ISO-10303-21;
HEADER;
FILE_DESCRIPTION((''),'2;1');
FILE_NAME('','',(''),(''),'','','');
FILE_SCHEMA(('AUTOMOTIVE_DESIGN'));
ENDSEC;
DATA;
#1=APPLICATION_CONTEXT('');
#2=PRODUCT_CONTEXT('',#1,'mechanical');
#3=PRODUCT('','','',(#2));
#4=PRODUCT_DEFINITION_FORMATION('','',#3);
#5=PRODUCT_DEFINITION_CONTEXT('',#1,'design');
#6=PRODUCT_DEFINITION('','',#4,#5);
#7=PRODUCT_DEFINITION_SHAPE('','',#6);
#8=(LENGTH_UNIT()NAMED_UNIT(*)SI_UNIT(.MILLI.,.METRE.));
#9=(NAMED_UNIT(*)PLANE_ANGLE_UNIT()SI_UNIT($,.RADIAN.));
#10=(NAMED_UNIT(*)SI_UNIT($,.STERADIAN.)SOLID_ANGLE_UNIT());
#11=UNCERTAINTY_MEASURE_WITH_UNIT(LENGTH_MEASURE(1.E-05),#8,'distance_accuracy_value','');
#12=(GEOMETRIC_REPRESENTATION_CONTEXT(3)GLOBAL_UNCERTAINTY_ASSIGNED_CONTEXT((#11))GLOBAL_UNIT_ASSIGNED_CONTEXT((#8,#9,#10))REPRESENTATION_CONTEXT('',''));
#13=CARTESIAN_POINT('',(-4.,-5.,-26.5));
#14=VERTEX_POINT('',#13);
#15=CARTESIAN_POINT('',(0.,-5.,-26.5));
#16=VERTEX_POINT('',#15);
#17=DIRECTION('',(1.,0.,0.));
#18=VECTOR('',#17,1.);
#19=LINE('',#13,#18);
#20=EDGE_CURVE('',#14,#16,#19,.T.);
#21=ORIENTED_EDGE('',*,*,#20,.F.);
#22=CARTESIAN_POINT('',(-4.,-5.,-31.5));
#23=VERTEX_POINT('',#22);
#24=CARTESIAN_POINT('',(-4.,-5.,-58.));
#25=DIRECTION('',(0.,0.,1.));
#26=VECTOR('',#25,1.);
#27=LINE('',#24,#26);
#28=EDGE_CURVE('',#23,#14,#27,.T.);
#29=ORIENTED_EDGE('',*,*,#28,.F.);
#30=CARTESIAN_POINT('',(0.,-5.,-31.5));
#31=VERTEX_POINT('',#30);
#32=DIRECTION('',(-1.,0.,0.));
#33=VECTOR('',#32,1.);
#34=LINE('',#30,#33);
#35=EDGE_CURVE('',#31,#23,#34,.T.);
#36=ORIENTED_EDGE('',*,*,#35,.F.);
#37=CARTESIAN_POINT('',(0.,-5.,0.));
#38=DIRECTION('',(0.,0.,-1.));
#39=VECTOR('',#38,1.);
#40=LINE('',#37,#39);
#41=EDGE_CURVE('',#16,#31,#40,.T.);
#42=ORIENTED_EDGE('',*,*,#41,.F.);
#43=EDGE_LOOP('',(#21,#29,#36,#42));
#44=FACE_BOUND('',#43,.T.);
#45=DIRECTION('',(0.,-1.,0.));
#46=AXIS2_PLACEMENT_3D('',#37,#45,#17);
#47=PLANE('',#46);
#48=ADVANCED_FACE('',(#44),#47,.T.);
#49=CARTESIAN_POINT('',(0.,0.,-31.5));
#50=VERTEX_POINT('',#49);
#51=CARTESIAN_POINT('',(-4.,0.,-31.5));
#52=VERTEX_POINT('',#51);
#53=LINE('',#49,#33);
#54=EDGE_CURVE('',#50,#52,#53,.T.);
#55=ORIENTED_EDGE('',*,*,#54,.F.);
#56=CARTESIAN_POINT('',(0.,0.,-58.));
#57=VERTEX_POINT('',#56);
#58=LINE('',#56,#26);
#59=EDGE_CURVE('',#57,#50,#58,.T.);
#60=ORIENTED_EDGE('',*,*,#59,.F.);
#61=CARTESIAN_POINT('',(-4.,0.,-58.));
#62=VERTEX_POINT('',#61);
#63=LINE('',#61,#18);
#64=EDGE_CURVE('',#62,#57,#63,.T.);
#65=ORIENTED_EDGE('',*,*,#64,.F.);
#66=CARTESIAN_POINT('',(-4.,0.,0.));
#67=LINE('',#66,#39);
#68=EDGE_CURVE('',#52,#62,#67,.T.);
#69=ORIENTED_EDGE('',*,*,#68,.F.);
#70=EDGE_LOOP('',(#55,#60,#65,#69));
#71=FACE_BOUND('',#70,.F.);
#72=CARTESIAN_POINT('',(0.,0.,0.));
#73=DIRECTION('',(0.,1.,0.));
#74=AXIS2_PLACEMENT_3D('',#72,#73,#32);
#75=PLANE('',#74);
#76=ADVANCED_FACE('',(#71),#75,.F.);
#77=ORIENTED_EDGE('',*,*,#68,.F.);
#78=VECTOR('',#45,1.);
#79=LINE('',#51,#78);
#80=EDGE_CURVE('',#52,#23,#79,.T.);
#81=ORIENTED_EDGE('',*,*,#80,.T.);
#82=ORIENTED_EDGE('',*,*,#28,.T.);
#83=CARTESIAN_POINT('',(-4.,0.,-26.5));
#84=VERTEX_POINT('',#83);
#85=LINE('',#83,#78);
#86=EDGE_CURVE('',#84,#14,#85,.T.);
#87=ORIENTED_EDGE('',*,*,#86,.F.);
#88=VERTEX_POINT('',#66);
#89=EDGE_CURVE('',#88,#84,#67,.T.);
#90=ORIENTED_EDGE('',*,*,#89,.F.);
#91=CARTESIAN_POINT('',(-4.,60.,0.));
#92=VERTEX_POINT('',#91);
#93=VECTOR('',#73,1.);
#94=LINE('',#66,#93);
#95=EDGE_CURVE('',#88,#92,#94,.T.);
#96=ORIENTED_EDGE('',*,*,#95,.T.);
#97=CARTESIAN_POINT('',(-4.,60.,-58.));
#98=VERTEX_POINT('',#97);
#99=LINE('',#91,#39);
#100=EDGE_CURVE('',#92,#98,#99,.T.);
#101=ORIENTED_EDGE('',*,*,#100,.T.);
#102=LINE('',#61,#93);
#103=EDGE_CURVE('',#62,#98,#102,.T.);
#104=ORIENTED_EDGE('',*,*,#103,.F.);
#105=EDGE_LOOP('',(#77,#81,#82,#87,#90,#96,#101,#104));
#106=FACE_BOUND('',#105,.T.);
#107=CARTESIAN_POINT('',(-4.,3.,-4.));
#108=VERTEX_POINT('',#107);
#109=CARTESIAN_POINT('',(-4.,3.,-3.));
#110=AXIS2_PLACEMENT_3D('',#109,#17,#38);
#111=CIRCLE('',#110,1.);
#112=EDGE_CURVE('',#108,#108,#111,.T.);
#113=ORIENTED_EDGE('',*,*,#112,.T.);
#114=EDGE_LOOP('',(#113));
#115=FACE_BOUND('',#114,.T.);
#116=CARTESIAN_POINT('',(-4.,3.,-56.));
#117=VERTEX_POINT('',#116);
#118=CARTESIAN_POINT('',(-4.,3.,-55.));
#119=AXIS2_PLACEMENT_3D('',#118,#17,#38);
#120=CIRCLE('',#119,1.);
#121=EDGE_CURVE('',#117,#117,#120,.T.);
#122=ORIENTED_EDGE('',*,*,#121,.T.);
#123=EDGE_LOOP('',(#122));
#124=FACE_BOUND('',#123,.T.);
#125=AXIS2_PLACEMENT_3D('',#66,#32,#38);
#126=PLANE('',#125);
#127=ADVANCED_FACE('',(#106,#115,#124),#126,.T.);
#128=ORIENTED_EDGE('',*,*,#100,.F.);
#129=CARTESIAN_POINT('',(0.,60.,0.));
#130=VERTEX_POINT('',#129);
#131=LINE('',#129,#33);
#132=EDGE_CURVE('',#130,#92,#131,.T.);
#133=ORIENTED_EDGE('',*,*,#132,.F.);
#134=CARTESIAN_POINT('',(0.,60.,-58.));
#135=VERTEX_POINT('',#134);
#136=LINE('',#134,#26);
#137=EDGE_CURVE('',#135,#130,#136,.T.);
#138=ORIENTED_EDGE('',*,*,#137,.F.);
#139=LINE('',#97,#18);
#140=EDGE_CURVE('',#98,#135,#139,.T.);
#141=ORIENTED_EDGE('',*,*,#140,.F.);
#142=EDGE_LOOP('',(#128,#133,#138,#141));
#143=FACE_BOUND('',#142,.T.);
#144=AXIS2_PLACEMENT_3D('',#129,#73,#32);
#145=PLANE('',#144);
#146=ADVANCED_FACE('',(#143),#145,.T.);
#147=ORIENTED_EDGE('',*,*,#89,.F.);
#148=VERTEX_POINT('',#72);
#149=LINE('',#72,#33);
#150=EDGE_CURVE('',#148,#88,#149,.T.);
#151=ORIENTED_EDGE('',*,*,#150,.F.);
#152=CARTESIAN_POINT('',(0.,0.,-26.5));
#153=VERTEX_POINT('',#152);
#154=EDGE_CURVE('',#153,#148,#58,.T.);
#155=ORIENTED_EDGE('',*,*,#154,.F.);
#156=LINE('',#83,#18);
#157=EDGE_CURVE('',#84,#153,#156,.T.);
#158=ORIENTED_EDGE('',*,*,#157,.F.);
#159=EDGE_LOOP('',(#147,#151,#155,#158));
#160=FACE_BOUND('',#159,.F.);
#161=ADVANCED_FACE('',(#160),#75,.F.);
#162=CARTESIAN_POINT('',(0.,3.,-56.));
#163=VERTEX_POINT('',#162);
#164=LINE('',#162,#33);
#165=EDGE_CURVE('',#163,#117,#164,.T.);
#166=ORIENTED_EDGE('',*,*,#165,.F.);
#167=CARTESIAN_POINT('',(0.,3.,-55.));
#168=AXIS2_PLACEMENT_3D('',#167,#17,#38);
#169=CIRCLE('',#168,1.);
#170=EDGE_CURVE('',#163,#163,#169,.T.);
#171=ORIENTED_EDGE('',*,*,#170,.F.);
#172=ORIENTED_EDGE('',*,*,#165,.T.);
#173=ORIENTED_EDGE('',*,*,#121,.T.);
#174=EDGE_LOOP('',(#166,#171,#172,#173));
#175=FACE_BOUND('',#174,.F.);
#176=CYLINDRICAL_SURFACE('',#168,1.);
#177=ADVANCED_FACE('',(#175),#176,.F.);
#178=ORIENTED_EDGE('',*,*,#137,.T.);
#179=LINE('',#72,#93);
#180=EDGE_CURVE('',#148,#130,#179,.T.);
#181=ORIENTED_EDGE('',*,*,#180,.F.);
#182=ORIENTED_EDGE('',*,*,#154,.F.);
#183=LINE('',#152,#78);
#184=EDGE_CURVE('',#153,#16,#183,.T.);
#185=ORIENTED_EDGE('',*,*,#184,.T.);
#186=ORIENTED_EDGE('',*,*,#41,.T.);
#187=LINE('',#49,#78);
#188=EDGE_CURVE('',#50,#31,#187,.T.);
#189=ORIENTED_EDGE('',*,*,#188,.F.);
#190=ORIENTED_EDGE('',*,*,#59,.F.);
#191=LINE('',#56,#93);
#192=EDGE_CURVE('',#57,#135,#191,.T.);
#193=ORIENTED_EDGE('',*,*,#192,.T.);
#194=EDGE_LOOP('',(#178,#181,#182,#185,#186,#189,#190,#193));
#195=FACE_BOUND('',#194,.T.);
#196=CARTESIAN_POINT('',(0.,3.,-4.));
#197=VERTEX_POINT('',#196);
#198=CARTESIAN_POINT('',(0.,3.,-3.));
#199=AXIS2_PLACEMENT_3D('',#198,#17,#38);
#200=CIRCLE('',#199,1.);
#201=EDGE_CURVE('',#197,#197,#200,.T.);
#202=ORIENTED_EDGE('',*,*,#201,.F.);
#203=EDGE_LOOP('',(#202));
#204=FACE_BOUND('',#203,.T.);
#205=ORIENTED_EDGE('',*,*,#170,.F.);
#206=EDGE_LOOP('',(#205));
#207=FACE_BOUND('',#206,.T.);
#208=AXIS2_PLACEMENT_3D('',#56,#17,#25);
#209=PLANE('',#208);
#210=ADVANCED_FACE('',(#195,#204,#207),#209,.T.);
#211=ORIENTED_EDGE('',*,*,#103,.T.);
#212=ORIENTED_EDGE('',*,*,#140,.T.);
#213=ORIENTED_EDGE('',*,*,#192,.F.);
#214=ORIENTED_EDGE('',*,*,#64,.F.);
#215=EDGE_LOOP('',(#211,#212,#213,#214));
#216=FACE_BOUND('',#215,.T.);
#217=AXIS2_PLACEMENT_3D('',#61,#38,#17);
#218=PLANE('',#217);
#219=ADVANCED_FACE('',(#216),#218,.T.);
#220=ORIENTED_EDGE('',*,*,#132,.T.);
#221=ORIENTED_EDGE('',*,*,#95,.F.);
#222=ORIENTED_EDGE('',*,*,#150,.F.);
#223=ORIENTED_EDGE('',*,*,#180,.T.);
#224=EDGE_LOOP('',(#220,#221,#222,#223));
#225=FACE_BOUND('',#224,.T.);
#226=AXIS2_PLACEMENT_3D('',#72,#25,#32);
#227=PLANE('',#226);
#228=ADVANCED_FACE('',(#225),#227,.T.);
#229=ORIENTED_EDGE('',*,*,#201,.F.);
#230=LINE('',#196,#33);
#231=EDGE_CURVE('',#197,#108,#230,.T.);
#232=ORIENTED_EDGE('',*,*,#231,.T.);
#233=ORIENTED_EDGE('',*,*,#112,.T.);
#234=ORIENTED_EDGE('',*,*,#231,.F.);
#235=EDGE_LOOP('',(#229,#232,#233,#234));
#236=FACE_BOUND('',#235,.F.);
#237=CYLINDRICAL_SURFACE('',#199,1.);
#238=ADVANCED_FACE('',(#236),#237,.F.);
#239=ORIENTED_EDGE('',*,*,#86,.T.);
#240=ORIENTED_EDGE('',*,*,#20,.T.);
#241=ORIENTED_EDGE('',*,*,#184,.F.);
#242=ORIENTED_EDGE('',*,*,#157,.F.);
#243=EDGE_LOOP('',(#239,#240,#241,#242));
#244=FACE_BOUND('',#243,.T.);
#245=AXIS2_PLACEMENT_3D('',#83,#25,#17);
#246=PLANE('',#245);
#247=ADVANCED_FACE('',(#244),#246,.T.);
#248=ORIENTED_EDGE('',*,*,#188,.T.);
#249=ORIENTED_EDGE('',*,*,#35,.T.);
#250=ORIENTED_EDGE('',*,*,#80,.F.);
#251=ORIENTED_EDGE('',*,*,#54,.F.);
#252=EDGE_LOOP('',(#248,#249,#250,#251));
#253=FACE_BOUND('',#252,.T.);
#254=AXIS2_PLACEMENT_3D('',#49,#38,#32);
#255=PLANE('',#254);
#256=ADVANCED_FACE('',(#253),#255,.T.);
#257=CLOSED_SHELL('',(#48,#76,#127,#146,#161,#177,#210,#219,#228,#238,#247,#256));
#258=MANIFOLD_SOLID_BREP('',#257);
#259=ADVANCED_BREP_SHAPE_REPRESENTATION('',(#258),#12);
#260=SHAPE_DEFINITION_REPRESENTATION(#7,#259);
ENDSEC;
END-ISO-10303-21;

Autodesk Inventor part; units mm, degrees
ref_plane "YZ Plane" through (0, 0, 0) normal (1, 0, 0) x (0, 1, 0)
ref_plane "XZ Plane" through (0, 0, 0) normal (0, 1, 0) x (-1, 0, 0)
ref_plane "XY Plane" through (0, 0, 0) normal (0, 0, 1) x (1, 0, 0)
sketch "Sketch1" plane through (0, 0, 0) normal (0, 1, 0) x (-1, 0, 0)
  line L0 (0, 0) -> (4, 0)
  line L1 (4, 0) -> (4, -58)
  line L2 (4, -58) -> (0, -58)
  line L3 (0, -58) -> (0, 0)
  dimension "d0" = 58
  dimension "d1" = 4
extrude "Extrusion1" add sketch "Sketch1" along normal blind 60
sketch "Sketch2" plane through (-4, 0, 0) normal (0, 0, 1) x (1, 0, 0)
  circle A0 centre (2, 2) radius 1
  line L0 (4, 0) -> (0, 0) projected
  line L1 (4, 0) -> (4, 60) projected
  dimension "d4" = 2
  dimension "d5" = 2
  dimension "d6" = 2
extrude "Extrusion2" [suppressed]
fillet "Fillet1" [suppressed]
sketch "Sketch3" plane through (0, 2, 0) normal (1, 0, 0) x (0, 0, -1)
  line L0 (19, 20.5) -> (24, 20.5)
  line L1 (24, 20.5) -> (24, 35.5)
  line L2 (24, 35.5) -> (19, 35.5)
  line L3 (19, 35.5) -> (19, 20.5)
  line L4 (34, 20.5) -> (39, 20.5)
  line L5 (39, 20.5) -> (39, 35.5)
  line L6 (39, 35.5) -> (34, 35.5)
  line L7 (34, 35.5) -> (34, 20.5)
  line L8 (0, -2) -> (0, 58) projected
  line L9 (58, -2) -> (58, 58) projected
  line L10 (0, -2) -> (58, -2) projected
  line L11 (0, 58) -> (58, 58) projected
  point P0 (0, 0)
  point P1 (0, 56)
  point P2 (58, 0)
  point P3 (58, 56)
  dimension "d10" = 15
  dimension "d11" = 15
  dimension "d12" = 5
  dimension "d13" = 5
  dimension "d14" = 10
  dimension "d15" = 19
  dimension "d16" = 58
  dimension "d17" = 60
  dimension "d18" = 22.5
extrude "Extrusion3" [suppressed]
sketch "Sketch4" plane through (0, 22.5, -19) normal (0, 0, 1) x (1, 0, 0)
  circle A0 centre (5, 7.5) radius 1.5
  line L0 (0, 0) -> (10, 0) projected
  line L1 (10, 0) -> (10, 15) projected
  point P0 (0, -22.5)
  dimension "d21" = 3
  dimension "d22" = 7.5
  dimension "d23" = 5
  dimension "d24" = 15
  dimension "d25" = 10
extrude "Extrusion4" [suppressed]
fillet "Fillet2" [suppressed]
sketch "Esquisse5" plane through (0, 0, 0) normal (1, 0, 0) x (0, 0, -1)
  circle A0 centre (55, 3) radius 1
  circle A1 centre (3, 3) radius 1
  line L0 (0, 0) -> (0, 60) projected
  line L1 (58, 0) -> (0, 0) projected
  line L2 (58, 0) -> (58, 60) projected
  dimension "d29" = 2
  dimension "d30" = 2
  dimension "d31" = 3
  dimension "d32" = 3
  dimension "d33" = 3
  dimension "d34" = 3
extrude "Extrusion5" cut sketch "Esquisse5" against normal blind 10
sketch "Esquisse6" plane through (0, 0, 0) normal (0, -1, 0) x (1, 0, 0)
  line L0 (-4, -58) -> (-4, 0) projected
  line L1 (0, 0) -> (0, -58) projected
  line L2 (-4, -26.5) -> (0, -26.5)
  line L3 (0, -26.5) -> (0, -31.5)
  line L4 (0, -31.5) -> (-4, -31.5)
  line L5 (-4, -31.5) -> (-4, -26.5)
  line L6 (0, 0) -> (-4, 0) projected
  dimension "d37" = 5
  dimension "d38" = 26.5
  dimension "d39" = 58
extrude "Extrusion6" add sketch "Esquisse6" along normal blind 5 contours L0 L2 L1 L4
equation "\"d6\" = d5"
equation "\"d11\" = d10"
equation "\"d13\" = d12"
equation "\"d15\" = 0.5 * d16 - 0.5 * d14 - 0.5 * d12 - 0.5 * d13"
equation "\"d18\" = 0.5 * d17 - 0.5 * d10"
equation "\"d22\" = 0.5 * d24"
equation "\"d23\" = 0.5 * d25"
equation "\"d32\" = d31"
equation "\"d33\" = d32"
equation "\"d34\" = d33"
equation "\"d38\" = 0.5 * d39 - 0.5 * d37"
properties part number "extremite_pince" material "PC/ABS Plastic"
